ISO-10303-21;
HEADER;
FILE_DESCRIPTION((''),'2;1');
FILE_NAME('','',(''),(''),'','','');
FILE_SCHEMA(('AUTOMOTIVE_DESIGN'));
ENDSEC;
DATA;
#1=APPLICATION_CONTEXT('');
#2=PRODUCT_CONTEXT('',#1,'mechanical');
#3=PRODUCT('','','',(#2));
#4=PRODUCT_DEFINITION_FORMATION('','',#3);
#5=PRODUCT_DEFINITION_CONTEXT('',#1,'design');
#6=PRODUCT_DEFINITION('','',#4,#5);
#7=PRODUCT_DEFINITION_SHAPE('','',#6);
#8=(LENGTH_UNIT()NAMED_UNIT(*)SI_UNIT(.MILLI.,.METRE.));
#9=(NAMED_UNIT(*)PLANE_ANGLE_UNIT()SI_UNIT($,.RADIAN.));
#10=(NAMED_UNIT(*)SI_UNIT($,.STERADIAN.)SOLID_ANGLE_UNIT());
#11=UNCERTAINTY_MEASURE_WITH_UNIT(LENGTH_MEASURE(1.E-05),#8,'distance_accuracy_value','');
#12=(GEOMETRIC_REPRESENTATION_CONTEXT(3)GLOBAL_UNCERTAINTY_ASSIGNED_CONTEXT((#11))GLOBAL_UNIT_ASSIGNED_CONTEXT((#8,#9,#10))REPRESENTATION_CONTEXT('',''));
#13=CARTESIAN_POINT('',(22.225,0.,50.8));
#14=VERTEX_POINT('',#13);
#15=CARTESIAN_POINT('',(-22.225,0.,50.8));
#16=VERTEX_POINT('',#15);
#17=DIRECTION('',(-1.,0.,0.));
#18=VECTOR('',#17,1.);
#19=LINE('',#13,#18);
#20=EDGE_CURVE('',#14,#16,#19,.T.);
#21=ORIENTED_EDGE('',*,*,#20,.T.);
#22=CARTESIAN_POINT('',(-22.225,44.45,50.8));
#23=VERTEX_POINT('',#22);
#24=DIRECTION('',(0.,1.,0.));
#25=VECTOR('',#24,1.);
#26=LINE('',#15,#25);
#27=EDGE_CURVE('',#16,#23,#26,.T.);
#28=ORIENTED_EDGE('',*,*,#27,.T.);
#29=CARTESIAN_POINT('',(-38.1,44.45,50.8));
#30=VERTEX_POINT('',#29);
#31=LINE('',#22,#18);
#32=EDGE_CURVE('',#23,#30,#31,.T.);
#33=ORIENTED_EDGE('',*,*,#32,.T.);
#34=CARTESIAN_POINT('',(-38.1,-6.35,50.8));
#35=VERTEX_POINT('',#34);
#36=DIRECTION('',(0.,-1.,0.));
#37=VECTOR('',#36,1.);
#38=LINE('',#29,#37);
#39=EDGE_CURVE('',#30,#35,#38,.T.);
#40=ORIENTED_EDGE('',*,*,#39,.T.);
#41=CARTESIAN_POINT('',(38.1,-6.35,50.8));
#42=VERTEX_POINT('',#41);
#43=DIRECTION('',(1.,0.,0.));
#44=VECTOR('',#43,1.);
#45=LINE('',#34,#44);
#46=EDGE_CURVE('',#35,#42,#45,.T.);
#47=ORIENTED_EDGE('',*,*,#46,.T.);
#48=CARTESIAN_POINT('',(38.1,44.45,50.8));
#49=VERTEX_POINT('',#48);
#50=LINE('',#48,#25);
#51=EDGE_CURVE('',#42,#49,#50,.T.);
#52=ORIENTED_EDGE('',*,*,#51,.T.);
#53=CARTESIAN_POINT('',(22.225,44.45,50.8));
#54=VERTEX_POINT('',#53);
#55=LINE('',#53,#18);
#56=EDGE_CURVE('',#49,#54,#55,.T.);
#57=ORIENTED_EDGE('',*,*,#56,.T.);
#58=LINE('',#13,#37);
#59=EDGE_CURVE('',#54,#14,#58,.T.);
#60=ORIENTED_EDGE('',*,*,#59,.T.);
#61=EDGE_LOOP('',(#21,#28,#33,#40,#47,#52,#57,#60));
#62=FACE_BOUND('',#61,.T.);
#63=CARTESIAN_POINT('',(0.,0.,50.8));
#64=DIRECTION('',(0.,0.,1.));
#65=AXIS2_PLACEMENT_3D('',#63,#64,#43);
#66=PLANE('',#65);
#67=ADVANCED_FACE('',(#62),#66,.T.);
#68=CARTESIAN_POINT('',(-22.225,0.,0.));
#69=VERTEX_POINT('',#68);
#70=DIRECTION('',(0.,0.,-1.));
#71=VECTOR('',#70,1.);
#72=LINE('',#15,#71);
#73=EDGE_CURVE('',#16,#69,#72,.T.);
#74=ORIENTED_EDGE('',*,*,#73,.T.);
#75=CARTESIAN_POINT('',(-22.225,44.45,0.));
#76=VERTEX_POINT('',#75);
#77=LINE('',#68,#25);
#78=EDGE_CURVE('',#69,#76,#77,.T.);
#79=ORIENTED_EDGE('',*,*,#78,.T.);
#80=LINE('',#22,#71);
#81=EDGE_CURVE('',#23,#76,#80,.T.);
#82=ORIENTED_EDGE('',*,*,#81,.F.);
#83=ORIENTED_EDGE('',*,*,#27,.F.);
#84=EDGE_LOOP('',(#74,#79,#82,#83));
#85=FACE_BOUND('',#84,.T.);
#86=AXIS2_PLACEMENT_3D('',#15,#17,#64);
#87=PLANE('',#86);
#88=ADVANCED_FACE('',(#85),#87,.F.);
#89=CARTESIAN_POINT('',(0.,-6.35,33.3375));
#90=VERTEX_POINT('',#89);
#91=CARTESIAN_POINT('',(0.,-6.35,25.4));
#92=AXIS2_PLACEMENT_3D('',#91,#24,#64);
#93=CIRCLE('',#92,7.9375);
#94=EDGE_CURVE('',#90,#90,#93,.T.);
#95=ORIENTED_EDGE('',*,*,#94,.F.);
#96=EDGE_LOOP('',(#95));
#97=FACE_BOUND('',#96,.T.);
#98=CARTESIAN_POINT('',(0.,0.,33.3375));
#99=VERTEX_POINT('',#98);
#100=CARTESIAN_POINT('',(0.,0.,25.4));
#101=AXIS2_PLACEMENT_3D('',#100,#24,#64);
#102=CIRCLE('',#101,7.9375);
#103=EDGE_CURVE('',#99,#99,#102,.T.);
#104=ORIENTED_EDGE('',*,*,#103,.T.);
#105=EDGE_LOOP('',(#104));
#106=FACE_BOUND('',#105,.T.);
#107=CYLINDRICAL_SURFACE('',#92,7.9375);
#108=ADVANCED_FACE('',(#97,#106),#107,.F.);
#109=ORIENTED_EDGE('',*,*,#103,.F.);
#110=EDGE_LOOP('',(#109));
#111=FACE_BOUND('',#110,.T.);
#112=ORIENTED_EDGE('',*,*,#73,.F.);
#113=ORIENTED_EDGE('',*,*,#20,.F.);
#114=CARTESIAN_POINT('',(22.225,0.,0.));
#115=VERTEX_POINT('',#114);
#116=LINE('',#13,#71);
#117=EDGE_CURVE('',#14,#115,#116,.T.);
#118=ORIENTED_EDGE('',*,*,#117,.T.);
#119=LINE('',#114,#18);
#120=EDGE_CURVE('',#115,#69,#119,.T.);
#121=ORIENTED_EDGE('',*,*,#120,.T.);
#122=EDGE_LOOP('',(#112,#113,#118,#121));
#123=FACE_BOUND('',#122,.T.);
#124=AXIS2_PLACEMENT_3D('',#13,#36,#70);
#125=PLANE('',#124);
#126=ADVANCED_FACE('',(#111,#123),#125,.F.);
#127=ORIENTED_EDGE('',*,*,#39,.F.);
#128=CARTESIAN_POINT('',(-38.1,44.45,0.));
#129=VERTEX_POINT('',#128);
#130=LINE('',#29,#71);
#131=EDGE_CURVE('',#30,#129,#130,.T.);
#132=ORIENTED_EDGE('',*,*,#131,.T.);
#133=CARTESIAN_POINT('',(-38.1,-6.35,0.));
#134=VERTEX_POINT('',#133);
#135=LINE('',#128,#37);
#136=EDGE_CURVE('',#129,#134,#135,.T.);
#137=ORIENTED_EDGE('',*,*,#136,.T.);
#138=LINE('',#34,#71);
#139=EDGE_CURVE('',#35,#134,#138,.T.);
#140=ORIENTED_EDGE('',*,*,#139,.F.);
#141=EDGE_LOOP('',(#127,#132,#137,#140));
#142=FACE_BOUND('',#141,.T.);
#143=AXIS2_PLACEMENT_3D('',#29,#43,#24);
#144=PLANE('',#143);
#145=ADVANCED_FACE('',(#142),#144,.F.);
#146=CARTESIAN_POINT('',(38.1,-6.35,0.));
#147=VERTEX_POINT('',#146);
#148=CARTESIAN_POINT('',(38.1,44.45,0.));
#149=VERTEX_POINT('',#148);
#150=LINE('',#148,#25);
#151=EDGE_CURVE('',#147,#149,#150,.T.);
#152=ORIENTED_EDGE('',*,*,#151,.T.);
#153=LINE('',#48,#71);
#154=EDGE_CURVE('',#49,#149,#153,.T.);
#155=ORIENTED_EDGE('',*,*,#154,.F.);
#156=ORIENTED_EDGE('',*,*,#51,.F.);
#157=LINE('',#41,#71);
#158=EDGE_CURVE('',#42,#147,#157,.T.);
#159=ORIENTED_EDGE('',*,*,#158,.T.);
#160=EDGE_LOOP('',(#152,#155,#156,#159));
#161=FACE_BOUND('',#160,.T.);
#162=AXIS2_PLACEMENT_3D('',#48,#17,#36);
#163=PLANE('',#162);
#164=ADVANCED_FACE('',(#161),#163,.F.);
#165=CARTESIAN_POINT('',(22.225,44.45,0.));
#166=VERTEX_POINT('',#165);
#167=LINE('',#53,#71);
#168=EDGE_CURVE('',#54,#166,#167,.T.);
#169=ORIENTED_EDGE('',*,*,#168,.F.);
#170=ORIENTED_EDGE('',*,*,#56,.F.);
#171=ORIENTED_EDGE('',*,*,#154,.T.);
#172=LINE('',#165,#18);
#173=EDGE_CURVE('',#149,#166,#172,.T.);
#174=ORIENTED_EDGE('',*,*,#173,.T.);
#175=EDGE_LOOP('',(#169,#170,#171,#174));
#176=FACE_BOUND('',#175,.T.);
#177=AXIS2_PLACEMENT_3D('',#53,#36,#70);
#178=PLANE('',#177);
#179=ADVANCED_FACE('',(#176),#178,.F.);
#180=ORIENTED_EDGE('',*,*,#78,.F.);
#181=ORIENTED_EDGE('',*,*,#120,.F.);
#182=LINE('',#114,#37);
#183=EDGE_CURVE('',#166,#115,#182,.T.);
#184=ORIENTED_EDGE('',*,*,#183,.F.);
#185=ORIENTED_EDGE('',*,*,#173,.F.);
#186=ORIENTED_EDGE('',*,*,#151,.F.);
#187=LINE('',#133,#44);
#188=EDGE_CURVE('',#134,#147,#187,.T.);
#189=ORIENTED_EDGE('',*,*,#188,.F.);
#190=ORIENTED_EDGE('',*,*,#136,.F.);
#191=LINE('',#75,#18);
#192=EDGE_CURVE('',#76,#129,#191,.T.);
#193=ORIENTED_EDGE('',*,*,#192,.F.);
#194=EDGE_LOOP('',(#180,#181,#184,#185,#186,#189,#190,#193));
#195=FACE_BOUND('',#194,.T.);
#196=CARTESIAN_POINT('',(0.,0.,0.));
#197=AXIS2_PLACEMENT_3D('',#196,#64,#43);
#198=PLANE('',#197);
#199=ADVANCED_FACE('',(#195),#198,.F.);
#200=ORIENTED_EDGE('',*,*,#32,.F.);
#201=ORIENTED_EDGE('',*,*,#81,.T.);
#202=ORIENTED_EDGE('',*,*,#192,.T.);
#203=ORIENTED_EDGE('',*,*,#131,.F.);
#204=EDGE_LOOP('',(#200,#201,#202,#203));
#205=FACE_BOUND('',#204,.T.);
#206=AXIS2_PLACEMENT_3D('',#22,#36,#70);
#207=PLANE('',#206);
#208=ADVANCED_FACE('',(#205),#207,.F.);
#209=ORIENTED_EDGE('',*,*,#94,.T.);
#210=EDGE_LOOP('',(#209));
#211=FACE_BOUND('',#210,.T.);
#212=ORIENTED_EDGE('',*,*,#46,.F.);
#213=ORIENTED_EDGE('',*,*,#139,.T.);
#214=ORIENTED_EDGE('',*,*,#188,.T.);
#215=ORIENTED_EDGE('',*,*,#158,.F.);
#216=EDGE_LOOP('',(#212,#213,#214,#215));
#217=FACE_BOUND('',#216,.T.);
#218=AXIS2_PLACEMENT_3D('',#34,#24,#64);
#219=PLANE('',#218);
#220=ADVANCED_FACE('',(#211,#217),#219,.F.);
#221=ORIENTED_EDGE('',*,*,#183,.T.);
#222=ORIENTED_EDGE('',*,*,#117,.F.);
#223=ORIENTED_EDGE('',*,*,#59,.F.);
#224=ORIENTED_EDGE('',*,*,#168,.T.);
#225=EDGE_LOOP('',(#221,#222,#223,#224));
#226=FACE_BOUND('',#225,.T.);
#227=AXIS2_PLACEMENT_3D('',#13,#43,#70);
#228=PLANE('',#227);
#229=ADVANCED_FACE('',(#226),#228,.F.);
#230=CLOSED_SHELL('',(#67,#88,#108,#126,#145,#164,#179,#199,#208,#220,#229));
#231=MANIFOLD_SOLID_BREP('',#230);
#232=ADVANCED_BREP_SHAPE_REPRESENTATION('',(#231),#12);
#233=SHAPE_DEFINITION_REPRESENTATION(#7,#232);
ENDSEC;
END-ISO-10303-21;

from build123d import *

# Parameters (mm, degrees)
BOSS_EXTRUDE1_DEPTH = 50.8
SKETCH2_R           = 7.9375
CUT_EXTRUDE1_DEPTH  = 7.35


with BuildPart() as part:
    # Sketch1 → Boss-Extrude1 (new body)
    with BuildSketch(Plane.XY):
        Polygon((22.225, 0), (-22.225, 0), (-22.225, 44.45), (-38.1, 44.45), (-38.1, -6.35), (38.1, -6.35), (38.1, 44.45), (22.225, 44.45), align=None)
    extrude(amount=BOSS_EXTRUDE1_DEPTH)

    # Sketch2 → Cut-Extrude1 (cut, through all)
    with BuildSketch(Plane(origin=(0, 0, 0), x_dir=(1, 0, 0), z_dir=(0, 1, 0))):
        with Locations((0, -25.4)):
            Circle(SKETCH2_R)
    extrude(amount=-CUT_EXTRUDE1_DEPTH, mode=Mode.SUBTRACT)


solid = part.part
